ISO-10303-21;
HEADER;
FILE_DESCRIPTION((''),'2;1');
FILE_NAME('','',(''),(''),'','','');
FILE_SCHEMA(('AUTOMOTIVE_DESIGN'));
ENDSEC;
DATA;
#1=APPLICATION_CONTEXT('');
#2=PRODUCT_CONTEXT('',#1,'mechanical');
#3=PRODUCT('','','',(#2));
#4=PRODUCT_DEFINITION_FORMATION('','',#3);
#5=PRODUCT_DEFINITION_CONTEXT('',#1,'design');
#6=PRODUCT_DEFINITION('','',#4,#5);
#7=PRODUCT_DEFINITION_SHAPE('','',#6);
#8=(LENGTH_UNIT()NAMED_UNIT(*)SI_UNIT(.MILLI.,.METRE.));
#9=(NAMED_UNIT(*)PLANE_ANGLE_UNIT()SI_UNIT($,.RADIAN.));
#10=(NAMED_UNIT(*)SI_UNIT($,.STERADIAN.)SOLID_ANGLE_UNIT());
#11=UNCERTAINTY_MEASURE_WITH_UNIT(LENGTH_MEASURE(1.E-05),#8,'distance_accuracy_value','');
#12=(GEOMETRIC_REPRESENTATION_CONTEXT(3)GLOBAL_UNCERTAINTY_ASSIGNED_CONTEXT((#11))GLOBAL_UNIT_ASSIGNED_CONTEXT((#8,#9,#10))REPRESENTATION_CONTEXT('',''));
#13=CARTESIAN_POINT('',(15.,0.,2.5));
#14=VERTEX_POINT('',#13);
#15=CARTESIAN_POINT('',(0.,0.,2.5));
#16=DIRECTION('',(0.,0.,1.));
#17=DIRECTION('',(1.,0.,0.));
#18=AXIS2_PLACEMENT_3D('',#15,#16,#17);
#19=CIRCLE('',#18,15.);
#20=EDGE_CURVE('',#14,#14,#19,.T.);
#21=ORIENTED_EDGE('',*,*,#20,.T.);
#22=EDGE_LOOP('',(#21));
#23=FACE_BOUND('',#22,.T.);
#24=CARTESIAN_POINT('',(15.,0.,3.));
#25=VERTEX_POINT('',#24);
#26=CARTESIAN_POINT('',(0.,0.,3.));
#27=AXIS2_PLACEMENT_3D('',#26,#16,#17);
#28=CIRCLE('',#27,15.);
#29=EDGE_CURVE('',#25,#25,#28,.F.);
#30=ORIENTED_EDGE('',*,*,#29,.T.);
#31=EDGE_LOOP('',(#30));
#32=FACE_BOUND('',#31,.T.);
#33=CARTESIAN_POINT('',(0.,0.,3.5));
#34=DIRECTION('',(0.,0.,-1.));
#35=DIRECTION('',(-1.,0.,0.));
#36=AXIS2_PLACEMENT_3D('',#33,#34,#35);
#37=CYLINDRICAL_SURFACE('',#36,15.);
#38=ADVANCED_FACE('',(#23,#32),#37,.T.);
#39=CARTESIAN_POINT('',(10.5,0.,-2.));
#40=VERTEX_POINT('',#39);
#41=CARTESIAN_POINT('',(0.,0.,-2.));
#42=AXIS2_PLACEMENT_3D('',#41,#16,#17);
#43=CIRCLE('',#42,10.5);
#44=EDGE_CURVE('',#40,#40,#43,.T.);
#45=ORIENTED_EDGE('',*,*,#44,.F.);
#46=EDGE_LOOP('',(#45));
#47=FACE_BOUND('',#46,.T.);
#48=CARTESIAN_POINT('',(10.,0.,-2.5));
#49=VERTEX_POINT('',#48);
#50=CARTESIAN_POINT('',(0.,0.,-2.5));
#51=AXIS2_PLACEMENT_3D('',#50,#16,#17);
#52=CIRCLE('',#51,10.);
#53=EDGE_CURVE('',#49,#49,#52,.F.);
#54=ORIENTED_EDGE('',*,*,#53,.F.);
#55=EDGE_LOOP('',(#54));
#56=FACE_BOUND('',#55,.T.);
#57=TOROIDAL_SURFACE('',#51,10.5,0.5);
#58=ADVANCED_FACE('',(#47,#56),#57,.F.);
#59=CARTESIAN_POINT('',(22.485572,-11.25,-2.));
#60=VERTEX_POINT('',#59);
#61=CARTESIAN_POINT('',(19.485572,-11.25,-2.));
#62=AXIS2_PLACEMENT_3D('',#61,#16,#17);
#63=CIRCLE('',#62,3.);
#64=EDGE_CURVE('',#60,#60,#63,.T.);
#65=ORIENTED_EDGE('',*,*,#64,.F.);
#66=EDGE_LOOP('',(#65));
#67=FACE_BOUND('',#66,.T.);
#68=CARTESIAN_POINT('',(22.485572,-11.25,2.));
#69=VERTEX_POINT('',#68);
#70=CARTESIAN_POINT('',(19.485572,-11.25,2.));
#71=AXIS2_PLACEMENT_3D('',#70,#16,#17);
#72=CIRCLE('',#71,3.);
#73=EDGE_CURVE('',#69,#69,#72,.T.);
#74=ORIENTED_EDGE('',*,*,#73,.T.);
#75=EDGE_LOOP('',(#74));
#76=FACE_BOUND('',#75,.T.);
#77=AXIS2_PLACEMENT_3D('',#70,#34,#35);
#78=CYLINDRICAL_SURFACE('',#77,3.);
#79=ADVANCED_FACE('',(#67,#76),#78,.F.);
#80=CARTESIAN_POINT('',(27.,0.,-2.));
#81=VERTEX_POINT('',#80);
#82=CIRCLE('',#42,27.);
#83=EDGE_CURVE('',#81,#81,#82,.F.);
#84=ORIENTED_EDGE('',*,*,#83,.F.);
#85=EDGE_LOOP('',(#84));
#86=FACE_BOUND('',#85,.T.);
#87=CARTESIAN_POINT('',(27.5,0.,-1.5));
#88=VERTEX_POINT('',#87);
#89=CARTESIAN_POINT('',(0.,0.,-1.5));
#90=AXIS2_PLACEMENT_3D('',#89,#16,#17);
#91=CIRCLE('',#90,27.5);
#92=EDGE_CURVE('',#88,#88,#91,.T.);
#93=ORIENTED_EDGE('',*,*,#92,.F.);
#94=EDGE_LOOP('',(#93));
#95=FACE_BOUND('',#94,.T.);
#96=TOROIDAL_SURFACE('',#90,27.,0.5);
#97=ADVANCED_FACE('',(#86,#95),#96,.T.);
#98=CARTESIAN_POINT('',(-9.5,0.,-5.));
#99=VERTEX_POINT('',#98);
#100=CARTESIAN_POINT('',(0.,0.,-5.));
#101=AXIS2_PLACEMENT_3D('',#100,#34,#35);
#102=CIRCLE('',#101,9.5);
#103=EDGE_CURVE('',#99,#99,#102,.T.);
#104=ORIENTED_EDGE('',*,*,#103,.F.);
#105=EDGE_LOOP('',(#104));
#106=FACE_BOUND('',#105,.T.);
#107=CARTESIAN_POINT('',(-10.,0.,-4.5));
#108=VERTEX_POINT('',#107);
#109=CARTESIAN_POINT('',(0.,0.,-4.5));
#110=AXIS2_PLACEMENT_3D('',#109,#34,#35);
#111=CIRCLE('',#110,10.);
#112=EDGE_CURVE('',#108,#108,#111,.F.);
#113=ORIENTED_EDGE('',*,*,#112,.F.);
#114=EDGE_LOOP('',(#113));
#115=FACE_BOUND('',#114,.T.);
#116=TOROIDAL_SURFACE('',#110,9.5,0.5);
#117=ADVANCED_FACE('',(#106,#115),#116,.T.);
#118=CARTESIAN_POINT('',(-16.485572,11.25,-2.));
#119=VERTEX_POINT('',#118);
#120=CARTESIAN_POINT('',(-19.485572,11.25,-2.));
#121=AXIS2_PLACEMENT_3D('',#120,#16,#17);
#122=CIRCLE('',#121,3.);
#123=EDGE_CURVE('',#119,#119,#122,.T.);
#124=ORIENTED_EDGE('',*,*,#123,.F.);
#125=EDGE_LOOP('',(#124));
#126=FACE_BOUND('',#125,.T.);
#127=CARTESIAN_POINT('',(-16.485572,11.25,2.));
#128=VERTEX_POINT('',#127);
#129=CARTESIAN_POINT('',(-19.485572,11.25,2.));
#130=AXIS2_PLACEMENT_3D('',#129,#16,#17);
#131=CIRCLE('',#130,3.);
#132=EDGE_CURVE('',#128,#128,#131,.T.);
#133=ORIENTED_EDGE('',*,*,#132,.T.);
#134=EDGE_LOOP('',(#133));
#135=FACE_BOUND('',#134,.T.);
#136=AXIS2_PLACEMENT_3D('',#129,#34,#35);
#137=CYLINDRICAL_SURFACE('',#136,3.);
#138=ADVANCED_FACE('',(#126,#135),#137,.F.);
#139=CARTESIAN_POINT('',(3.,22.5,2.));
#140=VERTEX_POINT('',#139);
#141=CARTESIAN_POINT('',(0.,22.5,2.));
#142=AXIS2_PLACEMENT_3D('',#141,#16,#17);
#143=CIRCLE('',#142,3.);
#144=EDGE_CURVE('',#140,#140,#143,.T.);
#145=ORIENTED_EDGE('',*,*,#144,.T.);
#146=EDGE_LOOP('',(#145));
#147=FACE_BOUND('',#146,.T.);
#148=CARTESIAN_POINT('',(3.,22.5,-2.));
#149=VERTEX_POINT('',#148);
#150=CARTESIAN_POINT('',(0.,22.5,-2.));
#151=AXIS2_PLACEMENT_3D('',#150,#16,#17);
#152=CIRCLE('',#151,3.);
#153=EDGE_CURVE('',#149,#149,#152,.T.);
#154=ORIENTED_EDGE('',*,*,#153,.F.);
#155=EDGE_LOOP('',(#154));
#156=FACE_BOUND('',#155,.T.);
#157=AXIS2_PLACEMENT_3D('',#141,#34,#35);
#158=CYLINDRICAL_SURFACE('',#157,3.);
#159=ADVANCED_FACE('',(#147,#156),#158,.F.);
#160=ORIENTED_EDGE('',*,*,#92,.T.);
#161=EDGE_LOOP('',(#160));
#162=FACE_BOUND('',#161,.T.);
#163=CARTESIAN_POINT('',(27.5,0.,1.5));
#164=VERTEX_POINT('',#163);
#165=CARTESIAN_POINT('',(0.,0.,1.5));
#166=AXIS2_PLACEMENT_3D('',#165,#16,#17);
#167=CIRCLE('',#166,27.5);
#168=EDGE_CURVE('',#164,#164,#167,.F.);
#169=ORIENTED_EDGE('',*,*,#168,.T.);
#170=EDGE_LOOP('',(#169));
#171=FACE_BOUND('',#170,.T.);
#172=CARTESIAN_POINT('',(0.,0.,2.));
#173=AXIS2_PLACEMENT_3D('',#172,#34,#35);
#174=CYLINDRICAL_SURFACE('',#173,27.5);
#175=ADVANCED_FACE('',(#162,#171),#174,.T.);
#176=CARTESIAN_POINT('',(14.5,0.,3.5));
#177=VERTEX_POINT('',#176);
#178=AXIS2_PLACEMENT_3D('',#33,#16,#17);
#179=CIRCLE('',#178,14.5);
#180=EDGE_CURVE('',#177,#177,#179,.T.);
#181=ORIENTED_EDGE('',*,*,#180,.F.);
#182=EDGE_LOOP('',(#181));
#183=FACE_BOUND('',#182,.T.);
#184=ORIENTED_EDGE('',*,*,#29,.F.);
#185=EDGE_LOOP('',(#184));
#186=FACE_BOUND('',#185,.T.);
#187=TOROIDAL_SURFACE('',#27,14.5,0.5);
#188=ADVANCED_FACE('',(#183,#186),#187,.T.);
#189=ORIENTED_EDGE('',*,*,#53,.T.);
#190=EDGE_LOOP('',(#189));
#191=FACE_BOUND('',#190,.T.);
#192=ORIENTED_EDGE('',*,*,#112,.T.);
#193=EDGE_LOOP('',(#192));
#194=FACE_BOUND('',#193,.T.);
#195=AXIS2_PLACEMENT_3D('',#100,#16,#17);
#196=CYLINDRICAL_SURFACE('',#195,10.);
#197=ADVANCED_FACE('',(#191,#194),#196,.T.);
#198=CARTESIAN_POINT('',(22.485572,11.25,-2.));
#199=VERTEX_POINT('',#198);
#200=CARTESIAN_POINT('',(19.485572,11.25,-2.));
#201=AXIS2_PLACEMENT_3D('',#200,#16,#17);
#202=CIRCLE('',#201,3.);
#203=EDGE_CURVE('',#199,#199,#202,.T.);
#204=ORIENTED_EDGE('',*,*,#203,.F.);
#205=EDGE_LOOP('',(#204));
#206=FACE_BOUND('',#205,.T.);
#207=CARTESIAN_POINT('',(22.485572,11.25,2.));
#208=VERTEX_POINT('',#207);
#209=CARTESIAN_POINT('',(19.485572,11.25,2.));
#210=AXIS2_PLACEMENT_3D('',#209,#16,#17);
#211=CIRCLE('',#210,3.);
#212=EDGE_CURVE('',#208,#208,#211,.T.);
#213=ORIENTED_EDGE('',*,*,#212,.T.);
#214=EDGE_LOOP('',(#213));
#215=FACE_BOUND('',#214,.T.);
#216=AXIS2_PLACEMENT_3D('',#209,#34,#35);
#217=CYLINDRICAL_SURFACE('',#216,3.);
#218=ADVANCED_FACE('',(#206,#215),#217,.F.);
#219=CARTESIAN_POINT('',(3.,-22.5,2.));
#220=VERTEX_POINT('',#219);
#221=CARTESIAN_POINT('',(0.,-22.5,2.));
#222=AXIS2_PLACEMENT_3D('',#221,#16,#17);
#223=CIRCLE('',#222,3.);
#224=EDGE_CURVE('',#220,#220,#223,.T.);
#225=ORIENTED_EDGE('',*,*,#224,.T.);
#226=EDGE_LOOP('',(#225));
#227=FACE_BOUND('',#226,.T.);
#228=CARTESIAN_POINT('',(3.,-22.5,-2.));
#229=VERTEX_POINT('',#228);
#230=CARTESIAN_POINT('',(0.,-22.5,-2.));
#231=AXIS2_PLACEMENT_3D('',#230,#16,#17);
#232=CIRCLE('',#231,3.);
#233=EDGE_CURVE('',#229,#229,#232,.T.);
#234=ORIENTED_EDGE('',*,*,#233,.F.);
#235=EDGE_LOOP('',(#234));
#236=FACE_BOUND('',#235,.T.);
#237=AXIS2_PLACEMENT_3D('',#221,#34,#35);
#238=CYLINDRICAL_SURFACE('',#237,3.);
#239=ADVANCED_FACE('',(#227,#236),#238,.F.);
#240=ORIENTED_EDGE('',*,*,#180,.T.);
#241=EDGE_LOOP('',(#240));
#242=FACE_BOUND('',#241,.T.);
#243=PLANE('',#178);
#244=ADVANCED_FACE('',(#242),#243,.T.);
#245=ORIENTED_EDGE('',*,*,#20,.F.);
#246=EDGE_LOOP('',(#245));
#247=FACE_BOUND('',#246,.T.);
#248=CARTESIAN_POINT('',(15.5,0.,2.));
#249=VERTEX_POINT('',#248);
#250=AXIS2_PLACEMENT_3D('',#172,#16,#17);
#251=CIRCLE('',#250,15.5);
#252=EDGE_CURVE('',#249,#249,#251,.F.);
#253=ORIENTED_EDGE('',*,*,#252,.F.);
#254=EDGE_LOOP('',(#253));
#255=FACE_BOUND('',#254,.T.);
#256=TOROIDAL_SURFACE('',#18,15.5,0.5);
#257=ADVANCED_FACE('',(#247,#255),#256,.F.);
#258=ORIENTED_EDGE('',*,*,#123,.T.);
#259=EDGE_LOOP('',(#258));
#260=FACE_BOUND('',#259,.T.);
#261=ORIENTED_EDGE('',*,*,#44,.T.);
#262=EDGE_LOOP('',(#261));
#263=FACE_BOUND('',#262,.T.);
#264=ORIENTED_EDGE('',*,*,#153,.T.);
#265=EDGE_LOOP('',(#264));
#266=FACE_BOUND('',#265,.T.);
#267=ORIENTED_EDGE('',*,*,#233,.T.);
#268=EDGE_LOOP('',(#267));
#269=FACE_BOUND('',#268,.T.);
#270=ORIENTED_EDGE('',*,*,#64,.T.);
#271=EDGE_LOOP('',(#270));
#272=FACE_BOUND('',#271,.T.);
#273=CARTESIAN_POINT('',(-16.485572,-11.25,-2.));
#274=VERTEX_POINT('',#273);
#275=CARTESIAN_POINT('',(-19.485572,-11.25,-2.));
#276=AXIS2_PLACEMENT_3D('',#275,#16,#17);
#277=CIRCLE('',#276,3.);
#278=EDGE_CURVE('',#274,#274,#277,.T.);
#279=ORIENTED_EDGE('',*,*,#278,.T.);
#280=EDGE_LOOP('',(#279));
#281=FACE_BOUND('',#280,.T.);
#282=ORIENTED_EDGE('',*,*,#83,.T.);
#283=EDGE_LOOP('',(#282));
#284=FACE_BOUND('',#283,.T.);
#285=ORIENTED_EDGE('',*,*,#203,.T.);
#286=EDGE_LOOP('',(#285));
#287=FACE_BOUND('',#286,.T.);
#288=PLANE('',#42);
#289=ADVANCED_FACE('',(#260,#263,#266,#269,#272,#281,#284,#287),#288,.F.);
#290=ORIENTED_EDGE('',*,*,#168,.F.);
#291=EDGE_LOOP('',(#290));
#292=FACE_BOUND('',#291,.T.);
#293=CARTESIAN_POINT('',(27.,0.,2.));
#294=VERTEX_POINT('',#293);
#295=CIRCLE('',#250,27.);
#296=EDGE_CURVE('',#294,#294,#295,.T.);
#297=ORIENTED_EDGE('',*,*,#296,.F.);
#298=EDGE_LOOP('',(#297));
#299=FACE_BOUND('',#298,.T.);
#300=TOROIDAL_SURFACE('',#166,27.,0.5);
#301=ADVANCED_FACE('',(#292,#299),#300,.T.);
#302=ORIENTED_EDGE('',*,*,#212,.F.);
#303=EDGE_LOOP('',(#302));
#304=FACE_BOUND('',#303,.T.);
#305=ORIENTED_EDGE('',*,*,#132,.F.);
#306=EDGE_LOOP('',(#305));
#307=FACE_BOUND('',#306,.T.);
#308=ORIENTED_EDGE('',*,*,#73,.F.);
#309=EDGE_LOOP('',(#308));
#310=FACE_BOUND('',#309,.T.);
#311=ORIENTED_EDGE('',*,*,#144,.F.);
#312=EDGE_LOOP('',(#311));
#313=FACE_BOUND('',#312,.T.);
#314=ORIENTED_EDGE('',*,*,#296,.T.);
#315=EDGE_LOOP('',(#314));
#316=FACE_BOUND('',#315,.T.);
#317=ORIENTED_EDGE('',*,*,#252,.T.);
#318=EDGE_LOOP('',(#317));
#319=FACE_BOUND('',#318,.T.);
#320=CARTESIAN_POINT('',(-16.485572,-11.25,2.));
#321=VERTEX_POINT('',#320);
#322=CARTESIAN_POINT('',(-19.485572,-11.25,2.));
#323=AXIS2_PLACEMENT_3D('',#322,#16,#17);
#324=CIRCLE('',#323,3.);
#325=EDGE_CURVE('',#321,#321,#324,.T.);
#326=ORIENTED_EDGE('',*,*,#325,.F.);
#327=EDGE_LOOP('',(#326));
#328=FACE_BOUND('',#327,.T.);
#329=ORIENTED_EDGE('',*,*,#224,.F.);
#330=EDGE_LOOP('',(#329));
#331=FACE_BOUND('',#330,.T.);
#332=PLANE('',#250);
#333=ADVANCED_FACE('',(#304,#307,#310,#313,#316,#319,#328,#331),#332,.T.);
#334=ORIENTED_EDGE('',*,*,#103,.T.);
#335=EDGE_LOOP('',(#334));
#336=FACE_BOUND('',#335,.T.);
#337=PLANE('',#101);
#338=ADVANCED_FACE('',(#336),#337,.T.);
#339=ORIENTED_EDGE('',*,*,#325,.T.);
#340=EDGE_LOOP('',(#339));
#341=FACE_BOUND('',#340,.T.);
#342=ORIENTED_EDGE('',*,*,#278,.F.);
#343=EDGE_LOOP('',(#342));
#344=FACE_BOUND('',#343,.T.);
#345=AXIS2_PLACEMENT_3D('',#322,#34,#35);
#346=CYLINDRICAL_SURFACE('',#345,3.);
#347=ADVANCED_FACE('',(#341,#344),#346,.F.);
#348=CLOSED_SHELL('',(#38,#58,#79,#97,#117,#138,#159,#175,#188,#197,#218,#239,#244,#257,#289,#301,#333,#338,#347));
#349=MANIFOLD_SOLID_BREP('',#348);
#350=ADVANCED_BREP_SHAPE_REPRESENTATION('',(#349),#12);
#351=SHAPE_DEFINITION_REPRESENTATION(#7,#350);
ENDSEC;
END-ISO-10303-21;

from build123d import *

# Parameters (mm, degrees)
SKETCH1_R           = 27.5
SKETCH1_R_2         = 3
BOSS_EXTRUDE1_DEPTH = 2
SKETCH2_R           = 15
BOSS_EXTRUDE2_DEPTH = 1.5
SKETCH3_R           = 10
BOSS_EXTRUDE3_DEPTH = 3
FILLET1_R           = 0.5


with BuildPart() as part:
    # Sketch1 → Boss-Extrude1 (new, symmetric)
    with BuildSketch(Plane.XY):
        Circle(SKETCH1_R)
        with Locations((0, 22.5)):
            Circle(SKETCH1_R_2, mode=Mode.SUBTRACT)
        with Locations((19.485571585, 11.25)):
            Circle(SKETCH1_R_2, mode=Mode.SUBTRACT)
        with Locations((19.485571585, -11.25)):
            Circle(SKETCH1_R_2, mode=Mode.SUBTRACT)
        with Locations((0, -22.5)):
            Circle(SKETCH1_R_2, mode=Mode.SUBTRACT)
        with Locations((-19.485571585, -11.25)):
            Circle(SKETCH1_R_2, mode=Mode.SUBTRACT)
        with Locations((-19.485571585, 11.25)):
            Circle(SKETCH1_R_2, mode=Mode.SUBTRACT)
    extrude(amount=BOSS_EXTRUDE1_DEPTH, both=True)

    # Sketch2 → Boss-Extrude2 (add)
    with BuildSketch(Plane.XY.offset(2)):
        Circle(SKETCH2_R)
    extrude(amount=BOSS_EXTRUDE2_DEPTH)

    # Sketch3 → Boss-Extrude3 (add)
    with BuildSketch(Plane(origin=(0, 0, -2), x_dir=(-1, 0, 0), z_dir=(0, 0, -1))):
        with Locations(Location((0, 0, 0), (0, 0, 180))):
            Circle(SKETCH3_R)
    extrude(amount=BOSS_EXTRUDE3_DEPTH)

    # Fillet1
    fillet1_edges = [part.edges().sort_by_distance(p)[0] for p in [
        (-27.5, 0, -2),
        (-15, 0, 2),
        (-15, 0, 3.5),
        (-10, 0, -2),
        (-10, 0, -5),
        (-27.5, 0, 2),
    ]]
    fillet(fillet1_edges, radius=FILLET1_R)


solid = part.part
